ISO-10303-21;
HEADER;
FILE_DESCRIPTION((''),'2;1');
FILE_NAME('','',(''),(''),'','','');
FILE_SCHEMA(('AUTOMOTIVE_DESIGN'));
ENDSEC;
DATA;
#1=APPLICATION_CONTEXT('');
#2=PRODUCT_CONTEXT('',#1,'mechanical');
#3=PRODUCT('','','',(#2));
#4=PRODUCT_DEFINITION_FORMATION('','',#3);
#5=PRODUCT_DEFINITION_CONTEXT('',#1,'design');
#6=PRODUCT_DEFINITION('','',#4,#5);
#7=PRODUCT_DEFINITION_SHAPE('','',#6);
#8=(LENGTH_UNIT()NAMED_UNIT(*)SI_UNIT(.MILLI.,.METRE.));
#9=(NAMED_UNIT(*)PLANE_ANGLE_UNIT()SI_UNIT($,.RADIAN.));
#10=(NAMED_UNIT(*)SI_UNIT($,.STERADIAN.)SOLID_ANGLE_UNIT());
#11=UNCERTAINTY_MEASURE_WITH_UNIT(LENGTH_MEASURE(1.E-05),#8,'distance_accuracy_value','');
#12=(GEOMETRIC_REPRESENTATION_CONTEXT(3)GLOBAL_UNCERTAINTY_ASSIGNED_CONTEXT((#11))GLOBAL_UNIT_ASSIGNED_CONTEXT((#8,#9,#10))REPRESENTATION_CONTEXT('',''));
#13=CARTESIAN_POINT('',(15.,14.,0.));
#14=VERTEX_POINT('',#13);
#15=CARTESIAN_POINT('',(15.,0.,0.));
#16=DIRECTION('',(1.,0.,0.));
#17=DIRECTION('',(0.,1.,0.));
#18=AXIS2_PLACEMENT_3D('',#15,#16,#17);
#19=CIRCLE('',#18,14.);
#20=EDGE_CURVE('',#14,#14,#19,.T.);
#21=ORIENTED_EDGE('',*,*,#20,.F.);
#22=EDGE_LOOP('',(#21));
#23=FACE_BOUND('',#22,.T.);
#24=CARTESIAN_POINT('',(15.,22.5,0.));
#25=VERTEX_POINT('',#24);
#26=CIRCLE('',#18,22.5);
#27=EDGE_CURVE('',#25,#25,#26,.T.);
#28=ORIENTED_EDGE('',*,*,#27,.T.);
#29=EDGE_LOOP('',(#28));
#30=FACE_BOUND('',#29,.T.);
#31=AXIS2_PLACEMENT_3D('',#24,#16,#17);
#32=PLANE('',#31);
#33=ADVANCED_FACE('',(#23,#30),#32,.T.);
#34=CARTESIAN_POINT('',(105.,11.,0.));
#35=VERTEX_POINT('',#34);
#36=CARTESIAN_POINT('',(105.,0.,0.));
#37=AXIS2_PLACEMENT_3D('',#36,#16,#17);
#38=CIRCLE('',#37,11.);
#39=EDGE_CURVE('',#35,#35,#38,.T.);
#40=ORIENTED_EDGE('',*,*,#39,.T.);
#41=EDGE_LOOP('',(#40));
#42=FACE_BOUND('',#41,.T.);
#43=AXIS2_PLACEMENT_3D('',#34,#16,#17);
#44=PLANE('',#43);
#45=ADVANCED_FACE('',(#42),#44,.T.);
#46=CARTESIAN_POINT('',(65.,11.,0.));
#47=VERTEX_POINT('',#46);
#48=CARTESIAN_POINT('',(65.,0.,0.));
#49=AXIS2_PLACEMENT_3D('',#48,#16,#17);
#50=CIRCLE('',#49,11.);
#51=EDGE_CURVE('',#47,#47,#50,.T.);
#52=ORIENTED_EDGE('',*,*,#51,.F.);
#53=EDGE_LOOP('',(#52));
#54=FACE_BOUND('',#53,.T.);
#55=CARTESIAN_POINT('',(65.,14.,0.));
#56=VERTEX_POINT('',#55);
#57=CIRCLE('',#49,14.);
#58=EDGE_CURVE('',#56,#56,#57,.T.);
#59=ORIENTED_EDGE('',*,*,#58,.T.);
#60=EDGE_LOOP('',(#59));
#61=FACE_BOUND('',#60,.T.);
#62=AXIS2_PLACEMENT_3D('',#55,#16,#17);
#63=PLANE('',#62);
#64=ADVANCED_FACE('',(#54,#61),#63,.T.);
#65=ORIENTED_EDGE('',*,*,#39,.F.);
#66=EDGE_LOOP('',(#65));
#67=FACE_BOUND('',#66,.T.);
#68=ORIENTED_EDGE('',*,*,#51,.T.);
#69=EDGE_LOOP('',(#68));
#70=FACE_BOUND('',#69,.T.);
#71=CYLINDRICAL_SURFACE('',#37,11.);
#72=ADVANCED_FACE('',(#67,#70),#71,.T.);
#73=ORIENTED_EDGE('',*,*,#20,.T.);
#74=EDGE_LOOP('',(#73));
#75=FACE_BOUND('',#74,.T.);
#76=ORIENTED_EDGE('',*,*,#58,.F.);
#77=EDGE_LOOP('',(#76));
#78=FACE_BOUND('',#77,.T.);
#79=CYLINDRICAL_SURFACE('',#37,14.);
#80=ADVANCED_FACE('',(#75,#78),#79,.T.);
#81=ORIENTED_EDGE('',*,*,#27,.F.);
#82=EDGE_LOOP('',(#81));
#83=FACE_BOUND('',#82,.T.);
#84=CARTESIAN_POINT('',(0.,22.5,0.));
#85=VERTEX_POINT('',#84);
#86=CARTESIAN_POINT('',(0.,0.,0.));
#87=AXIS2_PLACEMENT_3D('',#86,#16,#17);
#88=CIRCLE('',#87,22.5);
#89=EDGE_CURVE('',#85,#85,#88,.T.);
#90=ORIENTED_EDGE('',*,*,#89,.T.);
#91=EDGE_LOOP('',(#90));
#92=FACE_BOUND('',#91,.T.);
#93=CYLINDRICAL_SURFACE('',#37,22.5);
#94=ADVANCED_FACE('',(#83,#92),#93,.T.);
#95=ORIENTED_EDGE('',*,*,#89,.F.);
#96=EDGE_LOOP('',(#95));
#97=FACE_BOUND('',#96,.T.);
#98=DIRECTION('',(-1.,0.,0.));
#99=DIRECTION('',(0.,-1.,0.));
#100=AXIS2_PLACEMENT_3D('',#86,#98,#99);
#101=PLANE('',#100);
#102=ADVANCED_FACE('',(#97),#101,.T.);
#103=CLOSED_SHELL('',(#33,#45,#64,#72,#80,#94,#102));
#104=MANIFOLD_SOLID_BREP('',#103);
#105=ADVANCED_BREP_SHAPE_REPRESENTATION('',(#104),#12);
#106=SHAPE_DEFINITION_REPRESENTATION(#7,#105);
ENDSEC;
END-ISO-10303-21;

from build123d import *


with BuildPart() as part:
    # Sketch7 → Revolve1 (revolve)
    with BuildSketch(Plane.XY):
        Polygon((0, 0), (0, 22.5), (15, 22.5), (15, 14), (65, 14), (65, 11), (105, 11), (105, 0), align=None)
    revolve(axis=Axis((105, 0, 0), (-1, 0, 0)))


solid = part.part
